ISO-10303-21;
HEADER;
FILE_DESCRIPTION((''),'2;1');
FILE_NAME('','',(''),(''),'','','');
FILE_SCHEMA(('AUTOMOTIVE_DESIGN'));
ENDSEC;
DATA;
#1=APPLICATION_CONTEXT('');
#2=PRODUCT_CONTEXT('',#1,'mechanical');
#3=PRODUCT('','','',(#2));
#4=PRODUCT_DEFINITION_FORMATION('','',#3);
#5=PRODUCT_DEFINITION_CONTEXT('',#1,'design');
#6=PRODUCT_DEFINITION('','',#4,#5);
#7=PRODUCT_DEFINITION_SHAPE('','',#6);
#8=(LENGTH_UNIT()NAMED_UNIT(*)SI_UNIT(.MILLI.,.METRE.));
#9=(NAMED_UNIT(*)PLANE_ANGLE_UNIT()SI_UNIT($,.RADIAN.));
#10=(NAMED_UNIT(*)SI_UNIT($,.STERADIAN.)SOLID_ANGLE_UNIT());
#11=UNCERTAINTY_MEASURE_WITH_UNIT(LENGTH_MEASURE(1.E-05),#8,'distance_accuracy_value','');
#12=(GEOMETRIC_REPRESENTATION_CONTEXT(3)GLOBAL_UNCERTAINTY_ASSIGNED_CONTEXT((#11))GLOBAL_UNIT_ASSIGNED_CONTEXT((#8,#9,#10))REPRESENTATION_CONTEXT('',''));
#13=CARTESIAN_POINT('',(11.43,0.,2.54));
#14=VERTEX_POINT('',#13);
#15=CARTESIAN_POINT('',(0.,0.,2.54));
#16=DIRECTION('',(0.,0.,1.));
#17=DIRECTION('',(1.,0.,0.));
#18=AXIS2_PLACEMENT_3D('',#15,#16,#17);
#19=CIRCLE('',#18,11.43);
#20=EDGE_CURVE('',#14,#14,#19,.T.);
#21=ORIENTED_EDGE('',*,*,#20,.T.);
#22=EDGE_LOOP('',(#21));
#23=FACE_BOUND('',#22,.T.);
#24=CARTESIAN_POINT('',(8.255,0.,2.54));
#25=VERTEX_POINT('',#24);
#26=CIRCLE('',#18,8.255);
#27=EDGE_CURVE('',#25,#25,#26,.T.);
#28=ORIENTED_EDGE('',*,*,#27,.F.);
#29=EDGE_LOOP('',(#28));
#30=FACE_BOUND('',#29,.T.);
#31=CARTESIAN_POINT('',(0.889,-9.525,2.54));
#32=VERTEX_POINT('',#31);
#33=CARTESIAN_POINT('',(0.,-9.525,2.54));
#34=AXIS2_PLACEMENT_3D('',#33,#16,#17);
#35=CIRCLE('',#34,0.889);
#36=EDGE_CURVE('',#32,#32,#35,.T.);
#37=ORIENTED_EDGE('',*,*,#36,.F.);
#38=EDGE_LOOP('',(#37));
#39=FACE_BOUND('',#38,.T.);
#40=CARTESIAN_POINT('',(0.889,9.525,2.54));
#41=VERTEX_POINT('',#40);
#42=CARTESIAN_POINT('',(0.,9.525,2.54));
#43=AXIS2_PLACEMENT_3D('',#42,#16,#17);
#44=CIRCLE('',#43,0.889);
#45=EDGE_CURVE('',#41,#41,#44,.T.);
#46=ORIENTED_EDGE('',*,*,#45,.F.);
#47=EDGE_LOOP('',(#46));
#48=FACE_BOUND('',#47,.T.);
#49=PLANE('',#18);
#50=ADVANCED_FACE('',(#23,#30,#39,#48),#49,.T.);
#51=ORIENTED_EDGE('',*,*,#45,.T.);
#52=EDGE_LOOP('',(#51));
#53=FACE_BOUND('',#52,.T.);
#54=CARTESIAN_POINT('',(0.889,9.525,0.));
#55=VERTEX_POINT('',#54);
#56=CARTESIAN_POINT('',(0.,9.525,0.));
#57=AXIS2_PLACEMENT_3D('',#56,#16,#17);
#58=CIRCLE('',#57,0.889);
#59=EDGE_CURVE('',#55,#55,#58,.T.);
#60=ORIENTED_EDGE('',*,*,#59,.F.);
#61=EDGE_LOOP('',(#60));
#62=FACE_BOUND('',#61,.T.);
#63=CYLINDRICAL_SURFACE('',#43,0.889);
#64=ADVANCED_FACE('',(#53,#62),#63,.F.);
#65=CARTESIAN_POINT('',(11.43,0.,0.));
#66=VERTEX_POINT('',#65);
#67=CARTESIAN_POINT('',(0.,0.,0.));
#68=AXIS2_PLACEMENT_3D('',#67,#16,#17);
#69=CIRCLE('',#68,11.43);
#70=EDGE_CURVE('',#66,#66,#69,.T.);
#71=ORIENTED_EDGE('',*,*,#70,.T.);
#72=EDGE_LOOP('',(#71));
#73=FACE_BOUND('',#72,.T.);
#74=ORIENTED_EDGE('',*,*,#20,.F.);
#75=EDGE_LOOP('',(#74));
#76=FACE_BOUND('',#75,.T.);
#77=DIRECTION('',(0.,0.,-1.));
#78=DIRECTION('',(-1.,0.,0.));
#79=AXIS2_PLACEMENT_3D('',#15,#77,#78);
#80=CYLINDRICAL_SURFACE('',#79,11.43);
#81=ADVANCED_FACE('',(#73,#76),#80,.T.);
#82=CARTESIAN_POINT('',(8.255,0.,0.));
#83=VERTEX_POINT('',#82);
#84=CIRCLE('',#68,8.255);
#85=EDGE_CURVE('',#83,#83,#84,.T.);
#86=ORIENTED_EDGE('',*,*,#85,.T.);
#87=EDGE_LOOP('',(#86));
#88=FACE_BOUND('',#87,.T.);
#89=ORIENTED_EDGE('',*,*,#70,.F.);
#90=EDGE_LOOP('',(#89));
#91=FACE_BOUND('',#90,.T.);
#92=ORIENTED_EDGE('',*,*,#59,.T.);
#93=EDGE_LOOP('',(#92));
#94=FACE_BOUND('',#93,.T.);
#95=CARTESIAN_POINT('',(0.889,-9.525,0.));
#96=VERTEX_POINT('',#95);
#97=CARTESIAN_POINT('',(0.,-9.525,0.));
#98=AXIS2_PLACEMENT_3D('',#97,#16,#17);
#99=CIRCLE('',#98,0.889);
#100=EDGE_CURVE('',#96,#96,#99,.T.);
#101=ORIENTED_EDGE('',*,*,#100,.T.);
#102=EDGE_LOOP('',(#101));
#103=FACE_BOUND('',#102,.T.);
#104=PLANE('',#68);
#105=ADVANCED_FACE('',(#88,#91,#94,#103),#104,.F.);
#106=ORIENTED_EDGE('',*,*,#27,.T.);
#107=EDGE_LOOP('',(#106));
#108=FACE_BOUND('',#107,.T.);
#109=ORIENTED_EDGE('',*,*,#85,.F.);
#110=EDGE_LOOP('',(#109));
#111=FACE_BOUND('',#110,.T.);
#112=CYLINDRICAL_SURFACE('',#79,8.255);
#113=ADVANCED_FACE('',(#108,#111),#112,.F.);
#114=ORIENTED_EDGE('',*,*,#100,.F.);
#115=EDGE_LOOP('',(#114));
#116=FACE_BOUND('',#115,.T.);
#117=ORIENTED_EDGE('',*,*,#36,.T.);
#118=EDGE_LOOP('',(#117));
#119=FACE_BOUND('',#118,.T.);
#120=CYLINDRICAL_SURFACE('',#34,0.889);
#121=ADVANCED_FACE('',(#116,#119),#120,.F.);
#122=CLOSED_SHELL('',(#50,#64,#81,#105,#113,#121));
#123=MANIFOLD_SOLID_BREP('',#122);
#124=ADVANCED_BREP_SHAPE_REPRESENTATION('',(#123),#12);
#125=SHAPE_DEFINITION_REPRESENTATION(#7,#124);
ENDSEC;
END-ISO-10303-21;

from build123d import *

# Parameters (mm, degrees)
SKETCH1_R             = 11.43
SKETCH1_R_2           = 8.255
BOSS_EXTRUDE1_DEPTH   = 2.54
F_2_56_TAPPED_HOLE1_D = 1.778


with BuildPart() as part:
    # Sketch1 → Boss-Extrude1 (new body)
    with BuildSketch(Plane.XY):
        Circle(SKETCH1_R)
        Circle(SKETCH1_R_2, mode=Mode.SUBTRACT)
    extrude(amount=BOSS_EXTRUDE1_DEPTH)

    # #2-56 Tapped Hole1 (through all)
    with Locations(Plane.XY.offset(2.54)):
        with Locations((0, 9.525)):
            f_2_56_tapped_hole1 = Hole(F_2_56_TAPPED_HOLE1_D / 2)

    # Mirror1: #2-56 Tapped Hole1 across plane
    add(f_2_56_tapped_hole1.mirror(Plane.ZX), mode=Mode.SUBTRACT)


solid = part.part
